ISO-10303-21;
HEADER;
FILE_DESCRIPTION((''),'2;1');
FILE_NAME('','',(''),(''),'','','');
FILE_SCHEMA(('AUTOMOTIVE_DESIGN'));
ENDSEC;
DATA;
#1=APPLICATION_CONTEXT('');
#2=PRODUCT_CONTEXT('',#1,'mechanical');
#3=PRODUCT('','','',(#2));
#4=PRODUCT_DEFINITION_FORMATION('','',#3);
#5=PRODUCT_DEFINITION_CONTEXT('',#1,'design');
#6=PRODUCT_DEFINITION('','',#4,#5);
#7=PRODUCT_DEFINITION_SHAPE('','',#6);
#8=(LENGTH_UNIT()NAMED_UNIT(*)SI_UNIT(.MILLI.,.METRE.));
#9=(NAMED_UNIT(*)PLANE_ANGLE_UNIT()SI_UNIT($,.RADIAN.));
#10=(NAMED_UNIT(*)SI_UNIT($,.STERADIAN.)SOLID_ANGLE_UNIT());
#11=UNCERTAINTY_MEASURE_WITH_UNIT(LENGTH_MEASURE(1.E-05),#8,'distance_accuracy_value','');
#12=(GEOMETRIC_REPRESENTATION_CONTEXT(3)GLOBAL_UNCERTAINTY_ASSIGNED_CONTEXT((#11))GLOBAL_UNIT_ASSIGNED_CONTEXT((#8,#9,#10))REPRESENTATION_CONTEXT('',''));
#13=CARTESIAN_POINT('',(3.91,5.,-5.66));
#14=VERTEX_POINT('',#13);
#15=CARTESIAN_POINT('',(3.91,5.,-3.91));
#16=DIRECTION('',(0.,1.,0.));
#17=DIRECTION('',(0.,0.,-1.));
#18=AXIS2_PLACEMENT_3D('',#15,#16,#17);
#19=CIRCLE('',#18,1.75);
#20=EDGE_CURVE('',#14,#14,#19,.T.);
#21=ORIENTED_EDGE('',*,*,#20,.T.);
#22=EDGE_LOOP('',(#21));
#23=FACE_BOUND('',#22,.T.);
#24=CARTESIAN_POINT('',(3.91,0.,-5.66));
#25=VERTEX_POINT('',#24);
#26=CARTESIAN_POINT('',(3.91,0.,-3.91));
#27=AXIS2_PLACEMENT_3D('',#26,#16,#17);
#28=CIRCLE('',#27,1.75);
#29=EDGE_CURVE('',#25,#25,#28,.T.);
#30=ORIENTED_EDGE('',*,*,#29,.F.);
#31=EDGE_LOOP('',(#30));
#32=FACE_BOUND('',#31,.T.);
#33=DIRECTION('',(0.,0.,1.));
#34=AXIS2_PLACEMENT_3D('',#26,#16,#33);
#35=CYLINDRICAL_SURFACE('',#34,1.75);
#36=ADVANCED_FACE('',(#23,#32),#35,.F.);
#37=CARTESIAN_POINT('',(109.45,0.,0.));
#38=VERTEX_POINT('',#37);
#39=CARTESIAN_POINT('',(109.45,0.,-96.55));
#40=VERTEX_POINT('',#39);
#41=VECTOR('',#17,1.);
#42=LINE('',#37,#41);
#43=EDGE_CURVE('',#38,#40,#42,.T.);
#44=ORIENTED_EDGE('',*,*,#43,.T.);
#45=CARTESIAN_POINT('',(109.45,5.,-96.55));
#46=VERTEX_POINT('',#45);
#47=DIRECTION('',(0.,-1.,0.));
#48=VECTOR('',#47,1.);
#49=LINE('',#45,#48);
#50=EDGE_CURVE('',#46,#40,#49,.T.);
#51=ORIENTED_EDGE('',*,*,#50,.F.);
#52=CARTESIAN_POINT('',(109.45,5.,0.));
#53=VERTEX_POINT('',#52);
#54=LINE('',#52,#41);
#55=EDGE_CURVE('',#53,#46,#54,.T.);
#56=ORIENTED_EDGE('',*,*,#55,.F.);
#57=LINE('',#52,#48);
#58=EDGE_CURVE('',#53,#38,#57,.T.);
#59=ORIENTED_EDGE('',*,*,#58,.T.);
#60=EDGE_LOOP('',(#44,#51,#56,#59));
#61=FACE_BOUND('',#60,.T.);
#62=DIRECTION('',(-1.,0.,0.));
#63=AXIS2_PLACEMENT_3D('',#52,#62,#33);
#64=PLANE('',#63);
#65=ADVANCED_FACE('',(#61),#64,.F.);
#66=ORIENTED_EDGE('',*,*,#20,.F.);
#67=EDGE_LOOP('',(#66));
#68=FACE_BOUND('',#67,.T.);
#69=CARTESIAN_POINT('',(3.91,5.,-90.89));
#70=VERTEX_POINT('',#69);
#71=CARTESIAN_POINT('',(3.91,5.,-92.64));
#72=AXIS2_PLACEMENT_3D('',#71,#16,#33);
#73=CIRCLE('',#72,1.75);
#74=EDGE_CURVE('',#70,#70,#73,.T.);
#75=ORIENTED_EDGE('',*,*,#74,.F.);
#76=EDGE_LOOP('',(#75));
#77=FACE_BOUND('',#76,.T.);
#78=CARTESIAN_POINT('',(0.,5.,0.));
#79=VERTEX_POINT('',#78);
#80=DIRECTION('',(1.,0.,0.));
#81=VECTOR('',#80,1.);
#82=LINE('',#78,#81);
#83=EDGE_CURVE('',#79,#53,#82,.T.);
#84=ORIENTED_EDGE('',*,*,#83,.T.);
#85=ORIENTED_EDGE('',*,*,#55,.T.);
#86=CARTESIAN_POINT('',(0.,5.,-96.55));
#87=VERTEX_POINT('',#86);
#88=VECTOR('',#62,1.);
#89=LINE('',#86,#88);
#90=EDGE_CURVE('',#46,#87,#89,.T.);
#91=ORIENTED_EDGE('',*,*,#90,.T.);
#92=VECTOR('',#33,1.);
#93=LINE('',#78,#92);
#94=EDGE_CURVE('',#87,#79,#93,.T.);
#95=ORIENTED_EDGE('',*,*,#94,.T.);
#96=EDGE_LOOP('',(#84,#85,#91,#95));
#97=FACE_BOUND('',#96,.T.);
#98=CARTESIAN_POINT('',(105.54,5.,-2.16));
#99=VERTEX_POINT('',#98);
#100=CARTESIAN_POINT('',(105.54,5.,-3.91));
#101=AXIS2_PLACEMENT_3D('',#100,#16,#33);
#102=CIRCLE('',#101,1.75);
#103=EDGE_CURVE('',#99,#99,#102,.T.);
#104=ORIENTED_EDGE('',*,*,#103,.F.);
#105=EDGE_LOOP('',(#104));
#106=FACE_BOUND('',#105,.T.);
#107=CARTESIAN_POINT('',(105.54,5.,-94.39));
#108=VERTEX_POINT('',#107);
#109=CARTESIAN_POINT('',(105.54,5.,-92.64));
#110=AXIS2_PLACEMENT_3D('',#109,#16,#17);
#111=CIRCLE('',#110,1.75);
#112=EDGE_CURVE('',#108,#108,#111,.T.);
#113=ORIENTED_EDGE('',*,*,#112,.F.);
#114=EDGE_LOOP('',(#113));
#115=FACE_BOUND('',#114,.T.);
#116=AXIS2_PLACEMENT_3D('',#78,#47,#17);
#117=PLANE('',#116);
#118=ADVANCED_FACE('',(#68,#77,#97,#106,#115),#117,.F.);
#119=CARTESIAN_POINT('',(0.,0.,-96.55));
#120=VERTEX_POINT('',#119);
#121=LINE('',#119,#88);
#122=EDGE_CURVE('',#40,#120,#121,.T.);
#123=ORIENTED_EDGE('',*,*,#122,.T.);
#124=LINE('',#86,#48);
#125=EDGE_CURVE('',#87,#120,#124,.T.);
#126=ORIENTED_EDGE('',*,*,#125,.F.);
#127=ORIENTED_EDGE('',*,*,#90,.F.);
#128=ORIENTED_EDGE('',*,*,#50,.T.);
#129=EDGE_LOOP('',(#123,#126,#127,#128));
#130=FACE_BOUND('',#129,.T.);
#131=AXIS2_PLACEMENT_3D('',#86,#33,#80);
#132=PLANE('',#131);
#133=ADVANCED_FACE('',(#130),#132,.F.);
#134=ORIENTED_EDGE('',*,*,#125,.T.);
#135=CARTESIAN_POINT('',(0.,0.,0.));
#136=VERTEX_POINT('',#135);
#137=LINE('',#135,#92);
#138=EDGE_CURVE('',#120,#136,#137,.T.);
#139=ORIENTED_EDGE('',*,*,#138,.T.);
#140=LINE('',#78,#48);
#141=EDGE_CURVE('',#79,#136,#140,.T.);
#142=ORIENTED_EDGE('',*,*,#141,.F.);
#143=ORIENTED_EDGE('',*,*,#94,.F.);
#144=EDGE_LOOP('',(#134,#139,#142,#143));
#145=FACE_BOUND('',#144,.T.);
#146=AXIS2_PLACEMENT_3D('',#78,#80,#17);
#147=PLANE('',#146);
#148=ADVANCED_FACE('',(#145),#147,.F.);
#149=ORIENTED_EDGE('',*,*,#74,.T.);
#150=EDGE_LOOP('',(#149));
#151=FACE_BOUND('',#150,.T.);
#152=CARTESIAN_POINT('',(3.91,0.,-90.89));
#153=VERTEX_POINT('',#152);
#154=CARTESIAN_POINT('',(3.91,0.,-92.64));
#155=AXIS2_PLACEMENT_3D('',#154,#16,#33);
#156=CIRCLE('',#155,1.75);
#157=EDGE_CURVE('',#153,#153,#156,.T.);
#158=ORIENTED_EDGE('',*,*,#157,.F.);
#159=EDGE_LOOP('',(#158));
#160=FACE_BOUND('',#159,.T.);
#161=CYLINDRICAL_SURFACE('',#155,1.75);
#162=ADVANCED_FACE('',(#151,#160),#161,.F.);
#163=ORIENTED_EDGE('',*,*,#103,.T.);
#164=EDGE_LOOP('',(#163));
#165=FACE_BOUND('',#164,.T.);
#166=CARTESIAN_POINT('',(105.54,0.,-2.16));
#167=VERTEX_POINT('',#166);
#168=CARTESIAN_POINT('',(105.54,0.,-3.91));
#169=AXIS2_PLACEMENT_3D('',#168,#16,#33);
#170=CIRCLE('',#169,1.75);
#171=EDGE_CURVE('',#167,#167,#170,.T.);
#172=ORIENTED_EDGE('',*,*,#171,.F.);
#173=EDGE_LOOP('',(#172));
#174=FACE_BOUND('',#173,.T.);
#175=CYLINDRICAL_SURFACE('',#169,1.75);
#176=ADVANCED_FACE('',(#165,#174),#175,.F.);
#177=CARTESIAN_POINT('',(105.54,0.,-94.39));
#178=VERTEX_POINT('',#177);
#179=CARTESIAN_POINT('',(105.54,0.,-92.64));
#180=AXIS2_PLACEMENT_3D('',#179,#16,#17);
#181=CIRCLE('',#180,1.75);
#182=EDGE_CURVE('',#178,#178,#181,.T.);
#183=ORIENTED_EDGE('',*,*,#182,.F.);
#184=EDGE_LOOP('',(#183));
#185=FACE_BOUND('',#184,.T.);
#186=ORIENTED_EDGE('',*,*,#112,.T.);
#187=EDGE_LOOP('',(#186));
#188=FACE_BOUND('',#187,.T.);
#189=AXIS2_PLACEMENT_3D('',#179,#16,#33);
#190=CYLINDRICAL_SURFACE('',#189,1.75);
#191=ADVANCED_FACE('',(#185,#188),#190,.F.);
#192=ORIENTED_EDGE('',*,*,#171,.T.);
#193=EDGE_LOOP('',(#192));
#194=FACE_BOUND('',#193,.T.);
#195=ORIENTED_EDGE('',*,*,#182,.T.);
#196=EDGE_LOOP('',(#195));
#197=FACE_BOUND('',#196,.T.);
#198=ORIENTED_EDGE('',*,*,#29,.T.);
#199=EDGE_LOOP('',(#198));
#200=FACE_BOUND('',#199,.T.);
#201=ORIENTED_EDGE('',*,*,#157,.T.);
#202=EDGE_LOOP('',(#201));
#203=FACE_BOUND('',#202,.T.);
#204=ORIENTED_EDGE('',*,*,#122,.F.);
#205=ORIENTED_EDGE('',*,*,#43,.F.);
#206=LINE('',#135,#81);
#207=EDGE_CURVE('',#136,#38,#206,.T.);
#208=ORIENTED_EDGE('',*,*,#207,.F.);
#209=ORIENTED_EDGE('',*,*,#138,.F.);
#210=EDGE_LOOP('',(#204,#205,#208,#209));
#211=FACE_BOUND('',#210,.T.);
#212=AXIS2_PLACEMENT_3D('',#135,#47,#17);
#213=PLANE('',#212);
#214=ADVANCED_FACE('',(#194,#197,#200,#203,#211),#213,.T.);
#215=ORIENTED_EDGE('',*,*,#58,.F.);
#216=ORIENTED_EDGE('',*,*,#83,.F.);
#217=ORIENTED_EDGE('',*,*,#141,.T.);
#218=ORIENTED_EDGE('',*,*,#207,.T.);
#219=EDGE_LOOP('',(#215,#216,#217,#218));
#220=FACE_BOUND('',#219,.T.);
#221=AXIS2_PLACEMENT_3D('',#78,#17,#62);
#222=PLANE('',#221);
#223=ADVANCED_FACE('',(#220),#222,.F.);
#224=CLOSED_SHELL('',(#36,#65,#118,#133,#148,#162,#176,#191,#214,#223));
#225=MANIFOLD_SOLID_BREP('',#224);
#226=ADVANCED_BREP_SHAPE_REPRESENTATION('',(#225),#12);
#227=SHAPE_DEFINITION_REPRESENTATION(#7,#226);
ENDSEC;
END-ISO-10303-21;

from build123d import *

# Parameters (mm, degrees)
GREENRECT_SKETCH_W      = 109.45
GREENRECT_SKETCH_H      = 96.55
GREENRECT_EXTRUDE_DEPTH = 5
SKETCH1_R               = 1.75
CUT_EXTRUDE1_DEPTH      = 6


with BuildPart() as part:
    # GreenRect Sketch → GreenRect Extrude (new body)
    with BuildSketch(Plane(origin=(0, 0, 0), x_dir=(1, 0, 0), z_dir=(0, 1, 0))):
        with Locations((54.725, 48.275)):
            Rectangle(GREENRECT_SKETCH_W, GREENRECT_SKETCH_H)
    extrude(amount=GREENRECT_EXTRUDE_DEPTH)

    # Sketch1 → Cut-Extrude1 (cut, through all)
    with BuildSketch(Plane(origin=(0, 5, 0), x_dir=(1, 0, 0), z_dir=(0, 1, 0))):
        with Locations((3.91, 92.64)):
            Circle(SKETCH1_R)
        with Locations((3.91, 3.91)):
            Circle(SKETCH1_R)
        with Locations((105.54, 3.91)):
            Circle(SKETCH1_R)
        with Locations((105.54, 92.64)):
            Circle(SKETCH1_R)
    extrude(amount=-CUT_EXTRUDE1_DEPTH, mode=Mode.SUBTRACT)


solid = part.part
